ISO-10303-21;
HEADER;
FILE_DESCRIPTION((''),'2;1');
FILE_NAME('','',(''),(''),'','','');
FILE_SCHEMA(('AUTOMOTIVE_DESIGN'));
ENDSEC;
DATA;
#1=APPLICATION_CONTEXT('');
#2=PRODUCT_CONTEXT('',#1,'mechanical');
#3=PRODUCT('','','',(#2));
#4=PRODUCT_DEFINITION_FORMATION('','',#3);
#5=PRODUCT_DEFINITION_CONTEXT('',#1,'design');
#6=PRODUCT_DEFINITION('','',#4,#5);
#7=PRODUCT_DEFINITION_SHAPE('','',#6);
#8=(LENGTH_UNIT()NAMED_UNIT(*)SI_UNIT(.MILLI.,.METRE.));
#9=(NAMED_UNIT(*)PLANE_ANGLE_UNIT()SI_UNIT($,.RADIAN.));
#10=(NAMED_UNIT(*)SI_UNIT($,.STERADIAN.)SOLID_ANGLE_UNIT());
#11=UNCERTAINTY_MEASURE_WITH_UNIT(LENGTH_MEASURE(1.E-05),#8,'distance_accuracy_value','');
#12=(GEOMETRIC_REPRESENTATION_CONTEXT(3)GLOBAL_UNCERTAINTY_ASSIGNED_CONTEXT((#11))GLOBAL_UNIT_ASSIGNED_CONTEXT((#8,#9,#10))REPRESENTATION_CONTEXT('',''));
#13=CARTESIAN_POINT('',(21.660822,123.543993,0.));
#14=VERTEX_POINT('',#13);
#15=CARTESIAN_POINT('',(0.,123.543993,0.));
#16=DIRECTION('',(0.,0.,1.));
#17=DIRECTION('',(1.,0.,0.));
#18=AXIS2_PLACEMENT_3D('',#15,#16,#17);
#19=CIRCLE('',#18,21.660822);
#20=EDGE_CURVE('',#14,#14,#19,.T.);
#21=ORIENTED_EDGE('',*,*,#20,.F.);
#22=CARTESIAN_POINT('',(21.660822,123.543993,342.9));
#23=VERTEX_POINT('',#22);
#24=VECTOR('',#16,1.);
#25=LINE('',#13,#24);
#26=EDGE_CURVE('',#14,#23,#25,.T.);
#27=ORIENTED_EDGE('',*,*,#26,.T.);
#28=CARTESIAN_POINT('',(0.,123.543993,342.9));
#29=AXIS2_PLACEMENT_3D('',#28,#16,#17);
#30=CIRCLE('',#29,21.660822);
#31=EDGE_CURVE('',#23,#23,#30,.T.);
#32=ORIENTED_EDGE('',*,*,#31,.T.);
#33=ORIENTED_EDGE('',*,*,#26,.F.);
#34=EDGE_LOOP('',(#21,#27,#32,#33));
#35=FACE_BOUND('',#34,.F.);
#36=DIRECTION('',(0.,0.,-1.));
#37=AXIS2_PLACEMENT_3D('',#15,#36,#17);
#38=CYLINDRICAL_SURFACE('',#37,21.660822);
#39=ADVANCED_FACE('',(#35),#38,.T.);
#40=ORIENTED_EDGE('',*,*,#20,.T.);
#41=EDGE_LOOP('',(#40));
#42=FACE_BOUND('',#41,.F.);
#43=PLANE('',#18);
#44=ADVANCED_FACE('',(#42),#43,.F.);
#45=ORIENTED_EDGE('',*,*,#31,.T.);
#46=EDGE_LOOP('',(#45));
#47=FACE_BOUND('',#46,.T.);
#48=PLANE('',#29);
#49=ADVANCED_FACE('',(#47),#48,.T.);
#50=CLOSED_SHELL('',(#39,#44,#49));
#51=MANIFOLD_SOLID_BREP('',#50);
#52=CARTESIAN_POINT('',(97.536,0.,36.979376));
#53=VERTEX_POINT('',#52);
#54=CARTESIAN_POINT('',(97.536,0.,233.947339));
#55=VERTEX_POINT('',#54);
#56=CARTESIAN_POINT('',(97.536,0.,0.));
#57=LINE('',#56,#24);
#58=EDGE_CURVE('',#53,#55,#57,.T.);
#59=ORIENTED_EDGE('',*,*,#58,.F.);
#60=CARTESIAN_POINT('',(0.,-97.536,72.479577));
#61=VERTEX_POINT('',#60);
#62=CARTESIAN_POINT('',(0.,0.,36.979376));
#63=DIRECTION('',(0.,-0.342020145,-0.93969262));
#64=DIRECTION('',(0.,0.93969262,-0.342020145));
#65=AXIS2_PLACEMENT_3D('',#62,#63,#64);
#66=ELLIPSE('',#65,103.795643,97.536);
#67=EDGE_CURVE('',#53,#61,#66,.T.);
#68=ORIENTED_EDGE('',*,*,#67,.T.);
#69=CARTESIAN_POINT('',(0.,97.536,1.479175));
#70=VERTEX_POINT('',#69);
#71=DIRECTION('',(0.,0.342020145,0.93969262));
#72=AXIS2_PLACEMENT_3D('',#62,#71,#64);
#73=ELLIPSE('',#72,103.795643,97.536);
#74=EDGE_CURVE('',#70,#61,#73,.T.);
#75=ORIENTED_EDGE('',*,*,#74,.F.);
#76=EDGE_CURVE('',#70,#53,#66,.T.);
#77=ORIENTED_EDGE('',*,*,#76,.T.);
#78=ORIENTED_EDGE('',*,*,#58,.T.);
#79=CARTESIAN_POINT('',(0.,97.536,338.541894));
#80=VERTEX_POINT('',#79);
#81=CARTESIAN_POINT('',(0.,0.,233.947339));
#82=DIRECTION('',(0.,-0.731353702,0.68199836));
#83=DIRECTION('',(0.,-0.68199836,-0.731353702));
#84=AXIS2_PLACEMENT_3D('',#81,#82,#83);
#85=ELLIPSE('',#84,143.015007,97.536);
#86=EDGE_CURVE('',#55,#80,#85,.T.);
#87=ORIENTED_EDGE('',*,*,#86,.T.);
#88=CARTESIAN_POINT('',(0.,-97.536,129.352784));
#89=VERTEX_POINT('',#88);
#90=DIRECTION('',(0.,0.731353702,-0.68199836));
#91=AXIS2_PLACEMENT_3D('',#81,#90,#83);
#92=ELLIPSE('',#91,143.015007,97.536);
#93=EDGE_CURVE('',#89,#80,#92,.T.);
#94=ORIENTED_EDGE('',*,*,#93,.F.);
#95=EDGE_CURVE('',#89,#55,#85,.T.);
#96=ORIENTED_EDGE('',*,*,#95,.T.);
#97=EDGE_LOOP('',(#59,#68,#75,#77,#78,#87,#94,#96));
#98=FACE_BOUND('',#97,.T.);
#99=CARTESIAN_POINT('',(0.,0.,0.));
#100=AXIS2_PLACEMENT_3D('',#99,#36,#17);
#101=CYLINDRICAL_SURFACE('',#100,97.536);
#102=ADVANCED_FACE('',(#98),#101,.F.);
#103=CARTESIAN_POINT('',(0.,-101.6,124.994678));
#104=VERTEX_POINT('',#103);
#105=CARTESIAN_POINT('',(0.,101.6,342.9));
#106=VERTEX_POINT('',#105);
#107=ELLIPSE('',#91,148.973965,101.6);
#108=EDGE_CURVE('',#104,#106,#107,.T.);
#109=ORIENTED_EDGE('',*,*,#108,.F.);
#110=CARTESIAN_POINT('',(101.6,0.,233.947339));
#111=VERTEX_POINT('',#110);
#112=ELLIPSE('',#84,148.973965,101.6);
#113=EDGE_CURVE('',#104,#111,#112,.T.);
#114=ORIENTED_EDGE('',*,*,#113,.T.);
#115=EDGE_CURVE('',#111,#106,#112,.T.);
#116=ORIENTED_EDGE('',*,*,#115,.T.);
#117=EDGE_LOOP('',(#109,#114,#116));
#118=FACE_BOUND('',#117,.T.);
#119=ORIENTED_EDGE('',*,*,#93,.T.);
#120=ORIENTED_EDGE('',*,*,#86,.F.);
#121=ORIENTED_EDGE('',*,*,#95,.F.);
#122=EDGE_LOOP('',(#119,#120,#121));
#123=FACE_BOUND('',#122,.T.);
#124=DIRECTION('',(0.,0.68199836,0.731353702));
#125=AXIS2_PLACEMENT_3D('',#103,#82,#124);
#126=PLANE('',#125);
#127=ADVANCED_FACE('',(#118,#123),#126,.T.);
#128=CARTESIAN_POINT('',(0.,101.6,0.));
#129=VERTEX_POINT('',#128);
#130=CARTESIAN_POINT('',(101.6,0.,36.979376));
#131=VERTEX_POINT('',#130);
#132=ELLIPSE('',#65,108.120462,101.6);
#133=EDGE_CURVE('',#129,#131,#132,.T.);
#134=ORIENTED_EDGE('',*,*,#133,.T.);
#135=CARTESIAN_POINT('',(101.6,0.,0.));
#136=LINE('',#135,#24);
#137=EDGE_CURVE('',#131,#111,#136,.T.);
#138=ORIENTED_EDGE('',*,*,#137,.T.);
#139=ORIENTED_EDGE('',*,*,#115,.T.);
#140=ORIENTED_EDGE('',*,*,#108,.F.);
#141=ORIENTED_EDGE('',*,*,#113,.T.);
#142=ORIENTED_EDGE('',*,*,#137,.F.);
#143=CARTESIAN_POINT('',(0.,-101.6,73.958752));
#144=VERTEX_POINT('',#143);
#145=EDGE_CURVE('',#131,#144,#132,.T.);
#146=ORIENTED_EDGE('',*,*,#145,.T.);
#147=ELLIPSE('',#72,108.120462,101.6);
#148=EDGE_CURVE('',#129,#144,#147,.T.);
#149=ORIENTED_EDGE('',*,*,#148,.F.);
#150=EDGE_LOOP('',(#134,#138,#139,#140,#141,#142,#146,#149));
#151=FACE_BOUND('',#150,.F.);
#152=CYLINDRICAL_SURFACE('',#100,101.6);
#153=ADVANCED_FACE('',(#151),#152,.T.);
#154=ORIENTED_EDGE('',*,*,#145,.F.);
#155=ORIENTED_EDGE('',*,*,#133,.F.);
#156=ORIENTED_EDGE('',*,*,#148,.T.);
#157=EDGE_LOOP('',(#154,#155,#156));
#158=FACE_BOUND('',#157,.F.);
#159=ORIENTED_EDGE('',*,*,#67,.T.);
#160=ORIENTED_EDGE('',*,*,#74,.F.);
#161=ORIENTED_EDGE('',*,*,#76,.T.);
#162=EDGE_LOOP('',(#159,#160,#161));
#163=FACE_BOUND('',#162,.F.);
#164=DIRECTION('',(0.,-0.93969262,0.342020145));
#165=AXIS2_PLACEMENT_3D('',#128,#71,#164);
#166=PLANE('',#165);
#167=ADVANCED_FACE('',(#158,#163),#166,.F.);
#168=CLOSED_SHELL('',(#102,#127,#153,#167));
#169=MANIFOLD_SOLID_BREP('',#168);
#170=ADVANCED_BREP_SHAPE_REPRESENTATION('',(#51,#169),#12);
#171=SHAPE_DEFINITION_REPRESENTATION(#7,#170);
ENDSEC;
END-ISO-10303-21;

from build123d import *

# Parameters (mm, degrees)
F0_R          = 101.6
F0_R_2        = 97.536
F1_DEPTH      = 342.9
F3_DEPTH      = 101.601
F3_DEPTH_BACK = 101.601
F4_R          = 21.660822
F5_DEPTH      = 342.9


with BuildPart() as f1:
    # F0 (on Top) → F1 (new body)
    with BuildSketch(Plane.XY):
        Circle(F0_R)
        Circle(F0_R_2, mode=Mode.SUBTRACT)
    extrude(amount=F1_DEPTH)

    # F2 (on Right) → F3 (cut, two sides)
    with BuildSketch(Plane.YZ) as f3_sk:
        Polygon((-101.6, 124.994678), (101.6, 342.9), (-101.6, 342.9), align=None)
        Polygon((-101.6, 0), (101.6, 0), (-101.6, 73.958752), align=None)
    extrude(amount=F3_DEPTH, mode=Mode.SUBTRACT)
    extrude(f3_sk.sketch, amount=-F3_DEPTH_BACK, mode=Mode.SUBTRACT)


with BuildPart() as f5:
    # F4 (on Top) → F5 (new body)
    with BuildSketch(Plane.XY):
        with Locations((0, 123.543993)):
            Circle(F4_R)
    extrude(amount=F5_DEPTH)


solid = Compound([f1.part, f5.part])
